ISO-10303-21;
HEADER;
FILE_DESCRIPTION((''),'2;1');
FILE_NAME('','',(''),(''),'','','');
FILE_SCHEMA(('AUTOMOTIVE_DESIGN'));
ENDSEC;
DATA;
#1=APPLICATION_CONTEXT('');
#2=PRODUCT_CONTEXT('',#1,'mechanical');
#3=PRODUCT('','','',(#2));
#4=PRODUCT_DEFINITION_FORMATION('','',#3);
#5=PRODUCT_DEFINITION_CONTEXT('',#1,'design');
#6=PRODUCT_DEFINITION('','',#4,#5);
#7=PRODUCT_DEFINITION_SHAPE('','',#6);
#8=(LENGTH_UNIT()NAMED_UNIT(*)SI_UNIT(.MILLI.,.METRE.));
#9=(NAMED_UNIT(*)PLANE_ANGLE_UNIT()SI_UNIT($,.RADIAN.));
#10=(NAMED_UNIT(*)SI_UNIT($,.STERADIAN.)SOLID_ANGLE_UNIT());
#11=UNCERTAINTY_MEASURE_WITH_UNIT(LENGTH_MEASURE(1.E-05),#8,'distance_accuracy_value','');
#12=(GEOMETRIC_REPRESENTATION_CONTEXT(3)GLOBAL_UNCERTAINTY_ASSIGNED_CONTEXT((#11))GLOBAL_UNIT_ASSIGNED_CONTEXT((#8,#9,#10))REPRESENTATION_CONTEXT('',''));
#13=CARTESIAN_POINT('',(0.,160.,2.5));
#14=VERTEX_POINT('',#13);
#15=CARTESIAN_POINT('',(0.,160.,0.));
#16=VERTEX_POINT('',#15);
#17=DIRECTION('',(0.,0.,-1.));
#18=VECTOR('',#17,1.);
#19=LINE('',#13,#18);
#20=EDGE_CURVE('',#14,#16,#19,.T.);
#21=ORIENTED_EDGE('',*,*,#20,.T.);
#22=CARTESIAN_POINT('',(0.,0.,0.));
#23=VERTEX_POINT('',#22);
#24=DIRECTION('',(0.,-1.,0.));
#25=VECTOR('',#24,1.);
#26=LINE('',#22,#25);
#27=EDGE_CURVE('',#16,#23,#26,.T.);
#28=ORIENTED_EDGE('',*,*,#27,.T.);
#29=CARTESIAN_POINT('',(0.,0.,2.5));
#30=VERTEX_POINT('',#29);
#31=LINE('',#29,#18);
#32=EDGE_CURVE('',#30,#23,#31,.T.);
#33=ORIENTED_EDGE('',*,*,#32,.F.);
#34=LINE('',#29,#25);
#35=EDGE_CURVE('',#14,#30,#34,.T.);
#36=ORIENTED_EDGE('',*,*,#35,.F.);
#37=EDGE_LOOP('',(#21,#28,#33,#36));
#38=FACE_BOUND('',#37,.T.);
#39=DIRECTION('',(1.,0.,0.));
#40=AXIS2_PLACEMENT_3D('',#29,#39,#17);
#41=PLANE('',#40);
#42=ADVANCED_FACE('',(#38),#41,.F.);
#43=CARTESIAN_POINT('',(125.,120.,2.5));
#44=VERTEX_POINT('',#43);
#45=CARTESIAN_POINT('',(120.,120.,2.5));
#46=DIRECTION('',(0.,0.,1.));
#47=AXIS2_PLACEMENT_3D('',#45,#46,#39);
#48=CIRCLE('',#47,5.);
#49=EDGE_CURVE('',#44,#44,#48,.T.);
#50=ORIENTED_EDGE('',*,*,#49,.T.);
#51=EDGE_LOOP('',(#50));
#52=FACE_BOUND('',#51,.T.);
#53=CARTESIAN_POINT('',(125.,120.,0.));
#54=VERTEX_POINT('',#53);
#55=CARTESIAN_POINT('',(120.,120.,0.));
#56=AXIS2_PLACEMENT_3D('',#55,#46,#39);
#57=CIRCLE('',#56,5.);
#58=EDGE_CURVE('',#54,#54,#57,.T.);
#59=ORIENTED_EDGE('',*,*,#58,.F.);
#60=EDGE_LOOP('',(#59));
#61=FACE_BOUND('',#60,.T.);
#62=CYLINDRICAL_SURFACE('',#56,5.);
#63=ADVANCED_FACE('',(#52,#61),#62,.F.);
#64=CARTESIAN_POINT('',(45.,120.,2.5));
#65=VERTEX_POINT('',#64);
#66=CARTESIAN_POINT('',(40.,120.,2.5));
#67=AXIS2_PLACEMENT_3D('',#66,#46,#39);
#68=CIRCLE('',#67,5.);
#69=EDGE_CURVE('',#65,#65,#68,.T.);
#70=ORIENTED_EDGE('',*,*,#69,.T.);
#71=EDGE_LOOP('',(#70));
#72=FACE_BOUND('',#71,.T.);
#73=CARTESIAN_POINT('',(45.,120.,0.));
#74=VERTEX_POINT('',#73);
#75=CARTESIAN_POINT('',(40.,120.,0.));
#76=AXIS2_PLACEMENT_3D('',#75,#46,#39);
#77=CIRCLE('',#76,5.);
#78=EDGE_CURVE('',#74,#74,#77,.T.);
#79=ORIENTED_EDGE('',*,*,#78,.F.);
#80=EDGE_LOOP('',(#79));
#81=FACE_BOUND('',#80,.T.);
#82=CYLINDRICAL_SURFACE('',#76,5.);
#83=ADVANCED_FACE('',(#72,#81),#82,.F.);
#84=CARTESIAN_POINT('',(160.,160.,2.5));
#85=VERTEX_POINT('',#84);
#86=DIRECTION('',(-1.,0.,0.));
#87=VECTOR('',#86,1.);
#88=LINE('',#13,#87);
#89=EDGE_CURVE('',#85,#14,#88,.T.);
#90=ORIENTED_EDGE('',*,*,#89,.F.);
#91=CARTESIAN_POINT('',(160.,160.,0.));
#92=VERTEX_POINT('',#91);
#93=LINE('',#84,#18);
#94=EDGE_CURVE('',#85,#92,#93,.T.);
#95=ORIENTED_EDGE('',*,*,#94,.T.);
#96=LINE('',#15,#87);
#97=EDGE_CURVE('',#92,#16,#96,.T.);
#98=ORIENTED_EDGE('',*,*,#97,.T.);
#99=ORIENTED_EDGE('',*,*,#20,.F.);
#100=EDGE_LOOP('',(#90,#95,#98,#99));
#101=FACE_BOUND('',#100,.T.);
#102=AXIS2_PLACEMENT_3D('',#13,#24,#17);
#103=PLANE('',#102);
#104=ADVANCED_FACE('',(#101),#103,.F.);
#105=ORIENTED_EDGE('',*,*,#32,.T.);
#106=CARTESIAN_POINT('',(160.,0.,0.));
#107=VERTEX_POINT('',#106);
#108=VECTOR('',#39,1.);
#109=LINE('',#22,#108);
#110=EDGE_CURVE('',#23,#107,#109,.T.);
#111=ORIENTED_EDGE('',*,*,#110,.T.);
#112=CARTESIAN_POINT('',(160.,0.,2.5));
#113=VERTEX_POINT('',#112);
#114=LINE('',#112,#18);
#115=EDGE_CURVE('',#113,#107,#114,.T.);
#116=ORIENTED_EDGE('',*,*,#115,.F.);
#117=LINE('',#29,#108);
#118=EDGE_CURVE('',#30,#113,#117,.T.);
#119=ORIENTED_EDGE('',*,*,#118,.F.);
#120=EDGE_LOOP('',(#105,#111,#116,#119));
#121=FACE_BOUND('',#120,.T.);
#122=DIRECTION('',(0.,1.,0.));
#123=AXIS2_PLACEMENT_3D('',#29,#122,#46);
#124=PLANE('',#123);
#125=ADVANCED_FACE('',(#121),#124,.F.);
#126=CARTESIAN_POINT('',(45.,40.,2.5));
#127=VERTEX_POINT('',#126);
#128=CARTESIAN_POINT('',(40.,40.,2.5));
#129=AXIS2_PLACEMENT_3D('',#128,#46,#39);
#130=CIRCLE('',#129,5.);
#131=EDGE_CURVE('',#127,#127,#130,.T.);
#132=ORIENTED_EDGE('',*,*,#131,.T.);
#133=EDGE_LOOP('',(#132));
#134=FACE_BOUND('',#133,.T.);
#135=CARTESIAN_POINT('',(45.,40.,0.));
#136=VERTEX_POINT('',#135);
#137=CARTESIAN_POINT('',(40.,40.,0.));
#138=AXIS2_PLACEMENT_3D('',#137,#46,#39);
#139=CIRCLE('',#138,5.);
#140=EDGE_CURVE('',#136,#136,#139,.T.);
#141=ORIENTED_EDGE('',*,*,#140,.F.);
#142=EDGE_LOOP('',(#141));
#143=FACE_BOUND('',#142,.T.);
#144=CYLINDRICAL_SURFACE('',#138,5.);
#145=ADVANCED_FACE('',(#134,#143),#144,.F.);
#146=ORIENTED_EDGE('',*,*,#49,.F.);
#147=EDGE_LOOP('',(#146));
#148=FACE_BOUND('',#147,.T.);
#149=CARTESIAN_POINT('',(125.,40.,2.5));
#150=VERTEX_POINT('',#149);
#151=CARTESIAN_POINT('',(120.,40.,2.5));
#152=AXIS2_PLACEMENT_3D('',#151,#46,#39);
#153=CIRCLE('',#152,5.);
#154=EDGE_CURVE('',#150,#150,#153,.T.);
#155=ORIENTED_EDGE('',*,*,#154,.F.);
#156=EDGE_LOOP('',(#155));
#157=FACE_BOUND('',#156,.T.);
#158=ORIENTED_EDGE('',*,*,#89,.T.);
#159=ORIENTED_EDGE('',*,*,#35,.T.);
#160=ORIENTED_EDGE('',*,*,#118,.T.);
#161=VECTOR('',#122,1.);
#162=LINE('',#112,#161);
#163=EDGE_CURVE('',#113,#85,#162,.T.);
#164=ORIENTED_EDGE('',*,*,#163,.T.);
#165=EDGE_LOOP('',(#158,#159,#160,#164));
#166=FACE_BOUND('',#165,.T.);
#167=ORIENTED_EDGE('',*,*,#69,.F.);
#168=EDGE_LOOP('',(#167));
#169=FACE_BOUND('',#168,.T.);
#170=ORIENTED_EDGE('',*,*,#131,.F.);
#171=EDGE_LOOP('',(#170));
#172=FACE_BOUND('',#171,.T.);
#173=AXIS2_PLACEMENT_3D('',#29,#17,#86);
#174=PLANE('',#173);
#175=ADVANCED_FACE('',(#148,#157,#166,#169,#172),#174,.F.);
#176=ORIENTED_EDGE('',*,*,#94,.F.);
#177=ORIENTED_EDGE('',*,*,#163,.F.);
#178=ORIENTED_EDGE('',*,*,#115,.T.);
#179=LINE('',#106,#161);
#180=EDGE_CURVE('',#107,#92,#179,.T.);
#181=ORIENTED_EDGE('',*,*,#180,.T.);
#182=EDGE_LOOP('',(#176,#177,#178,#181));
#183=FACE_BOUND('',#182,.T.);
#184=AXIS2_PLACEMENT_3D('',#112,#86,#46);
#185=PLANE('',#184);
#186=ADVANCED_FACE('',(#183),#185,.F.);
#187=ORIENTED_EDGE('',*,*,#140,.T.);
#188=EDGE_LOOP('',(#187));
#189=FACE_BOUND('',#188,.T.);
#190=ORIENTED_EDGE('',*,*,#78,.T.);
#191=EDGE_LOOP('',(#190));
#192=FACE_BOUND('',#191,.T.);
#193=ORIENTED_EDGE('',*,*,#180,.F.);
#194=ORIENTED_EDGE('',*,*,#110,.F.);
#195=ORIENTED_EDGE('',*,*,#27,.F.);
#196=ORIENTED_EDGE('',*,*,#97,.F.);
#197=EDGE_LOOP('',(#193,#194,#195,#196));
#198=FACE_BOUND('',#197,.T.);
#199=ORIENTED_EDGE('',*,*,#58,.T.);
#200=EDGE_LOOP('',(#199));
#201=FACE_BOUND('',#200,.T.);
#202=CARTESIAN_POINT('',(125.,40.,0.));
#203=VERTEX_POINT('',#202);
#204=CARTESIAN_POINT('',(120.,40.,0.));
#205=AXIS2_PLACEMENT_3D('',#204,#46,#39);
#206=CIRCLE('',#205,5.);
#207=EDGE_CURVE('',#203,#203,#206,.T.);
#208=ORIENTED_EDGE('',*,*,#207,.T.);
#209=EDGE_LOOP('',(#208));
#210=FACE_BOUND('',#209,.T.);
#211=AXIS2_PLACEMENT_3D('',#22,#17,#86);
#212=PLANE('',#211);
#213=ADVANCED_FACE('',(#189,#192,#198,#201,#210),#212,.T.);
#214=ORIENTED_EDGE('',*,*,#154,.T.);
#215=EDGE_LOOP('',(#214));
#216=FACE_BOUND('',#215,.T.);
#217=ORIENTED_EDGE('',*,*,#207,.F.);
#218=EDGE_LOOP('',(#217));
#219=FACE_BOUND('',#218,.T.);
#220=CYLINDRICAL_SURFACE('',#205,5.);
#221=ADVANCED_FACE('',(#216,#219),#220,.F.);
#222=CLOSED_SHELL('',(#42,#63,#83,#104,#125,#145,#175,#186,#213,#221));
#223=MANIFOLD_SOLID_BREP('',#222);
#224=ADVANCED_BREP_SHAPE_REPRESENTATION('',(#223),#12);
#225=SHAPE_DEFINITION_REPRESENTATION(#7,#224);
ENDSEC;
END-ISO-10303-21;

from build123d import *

# Parameters (mm, degrees)
SKETCH_1_W                  = 160
SKETCH_1_H                  = 160
EXTRUDE_1_DEPTH             = 2.5
SKETCH_2_R                  = 5
CUT_EXTRUDE_1_DEPTH         = 227.287980238
PATTERN_LINEAR_1_COUNT      = 2
PATTERN_LINEAR_1_PITCH      = 80
PATTERN_LINEAR_1_COUNT_DIR2 = 2
PATTERN_LINEAR_1_PITCH_DIR2 = 80


with BuildPart() as part:
    # 草图1 → 凸台-拉伸1 (new body)
    with BuildSketch(Plane.XY):
        with Locations((80, 80)):
            Rectangle(SKETCH_1_W, SKETCH_1_H)
    extrude(amount=EXTRUDE_1_DEPTH)

    # 草图2 → 切除-拉伸1 (cut, through all)
    with BuildSketch(Plane.XY.offset(2.5)):
        with Locations((40, 120)):
            Circle(SKETCH_2_R)
    cut_extrude_1 = extrude(amount=-CUT_EXTRUDE_1_DEPTH, mode=Mode.SUBTRACT)

    # 阵列(线性)1: Cut-Extrude 1 2 × 2
    with Locations(*[(i * PATTERN_LINEAR_1_PITCH, -j * PATTERN_LINEAR_1_PITCH_DIR2, 0) for i in range(PATTERN_LINEAR_1_COUNT) for j in range(PATTERN_LINEAR_1_COUNT_DIR2) if (i, j) != (0, 0)]):
        add(cut_extrude_1, mode=Mode.SUBTRACT)


solid = part.part
